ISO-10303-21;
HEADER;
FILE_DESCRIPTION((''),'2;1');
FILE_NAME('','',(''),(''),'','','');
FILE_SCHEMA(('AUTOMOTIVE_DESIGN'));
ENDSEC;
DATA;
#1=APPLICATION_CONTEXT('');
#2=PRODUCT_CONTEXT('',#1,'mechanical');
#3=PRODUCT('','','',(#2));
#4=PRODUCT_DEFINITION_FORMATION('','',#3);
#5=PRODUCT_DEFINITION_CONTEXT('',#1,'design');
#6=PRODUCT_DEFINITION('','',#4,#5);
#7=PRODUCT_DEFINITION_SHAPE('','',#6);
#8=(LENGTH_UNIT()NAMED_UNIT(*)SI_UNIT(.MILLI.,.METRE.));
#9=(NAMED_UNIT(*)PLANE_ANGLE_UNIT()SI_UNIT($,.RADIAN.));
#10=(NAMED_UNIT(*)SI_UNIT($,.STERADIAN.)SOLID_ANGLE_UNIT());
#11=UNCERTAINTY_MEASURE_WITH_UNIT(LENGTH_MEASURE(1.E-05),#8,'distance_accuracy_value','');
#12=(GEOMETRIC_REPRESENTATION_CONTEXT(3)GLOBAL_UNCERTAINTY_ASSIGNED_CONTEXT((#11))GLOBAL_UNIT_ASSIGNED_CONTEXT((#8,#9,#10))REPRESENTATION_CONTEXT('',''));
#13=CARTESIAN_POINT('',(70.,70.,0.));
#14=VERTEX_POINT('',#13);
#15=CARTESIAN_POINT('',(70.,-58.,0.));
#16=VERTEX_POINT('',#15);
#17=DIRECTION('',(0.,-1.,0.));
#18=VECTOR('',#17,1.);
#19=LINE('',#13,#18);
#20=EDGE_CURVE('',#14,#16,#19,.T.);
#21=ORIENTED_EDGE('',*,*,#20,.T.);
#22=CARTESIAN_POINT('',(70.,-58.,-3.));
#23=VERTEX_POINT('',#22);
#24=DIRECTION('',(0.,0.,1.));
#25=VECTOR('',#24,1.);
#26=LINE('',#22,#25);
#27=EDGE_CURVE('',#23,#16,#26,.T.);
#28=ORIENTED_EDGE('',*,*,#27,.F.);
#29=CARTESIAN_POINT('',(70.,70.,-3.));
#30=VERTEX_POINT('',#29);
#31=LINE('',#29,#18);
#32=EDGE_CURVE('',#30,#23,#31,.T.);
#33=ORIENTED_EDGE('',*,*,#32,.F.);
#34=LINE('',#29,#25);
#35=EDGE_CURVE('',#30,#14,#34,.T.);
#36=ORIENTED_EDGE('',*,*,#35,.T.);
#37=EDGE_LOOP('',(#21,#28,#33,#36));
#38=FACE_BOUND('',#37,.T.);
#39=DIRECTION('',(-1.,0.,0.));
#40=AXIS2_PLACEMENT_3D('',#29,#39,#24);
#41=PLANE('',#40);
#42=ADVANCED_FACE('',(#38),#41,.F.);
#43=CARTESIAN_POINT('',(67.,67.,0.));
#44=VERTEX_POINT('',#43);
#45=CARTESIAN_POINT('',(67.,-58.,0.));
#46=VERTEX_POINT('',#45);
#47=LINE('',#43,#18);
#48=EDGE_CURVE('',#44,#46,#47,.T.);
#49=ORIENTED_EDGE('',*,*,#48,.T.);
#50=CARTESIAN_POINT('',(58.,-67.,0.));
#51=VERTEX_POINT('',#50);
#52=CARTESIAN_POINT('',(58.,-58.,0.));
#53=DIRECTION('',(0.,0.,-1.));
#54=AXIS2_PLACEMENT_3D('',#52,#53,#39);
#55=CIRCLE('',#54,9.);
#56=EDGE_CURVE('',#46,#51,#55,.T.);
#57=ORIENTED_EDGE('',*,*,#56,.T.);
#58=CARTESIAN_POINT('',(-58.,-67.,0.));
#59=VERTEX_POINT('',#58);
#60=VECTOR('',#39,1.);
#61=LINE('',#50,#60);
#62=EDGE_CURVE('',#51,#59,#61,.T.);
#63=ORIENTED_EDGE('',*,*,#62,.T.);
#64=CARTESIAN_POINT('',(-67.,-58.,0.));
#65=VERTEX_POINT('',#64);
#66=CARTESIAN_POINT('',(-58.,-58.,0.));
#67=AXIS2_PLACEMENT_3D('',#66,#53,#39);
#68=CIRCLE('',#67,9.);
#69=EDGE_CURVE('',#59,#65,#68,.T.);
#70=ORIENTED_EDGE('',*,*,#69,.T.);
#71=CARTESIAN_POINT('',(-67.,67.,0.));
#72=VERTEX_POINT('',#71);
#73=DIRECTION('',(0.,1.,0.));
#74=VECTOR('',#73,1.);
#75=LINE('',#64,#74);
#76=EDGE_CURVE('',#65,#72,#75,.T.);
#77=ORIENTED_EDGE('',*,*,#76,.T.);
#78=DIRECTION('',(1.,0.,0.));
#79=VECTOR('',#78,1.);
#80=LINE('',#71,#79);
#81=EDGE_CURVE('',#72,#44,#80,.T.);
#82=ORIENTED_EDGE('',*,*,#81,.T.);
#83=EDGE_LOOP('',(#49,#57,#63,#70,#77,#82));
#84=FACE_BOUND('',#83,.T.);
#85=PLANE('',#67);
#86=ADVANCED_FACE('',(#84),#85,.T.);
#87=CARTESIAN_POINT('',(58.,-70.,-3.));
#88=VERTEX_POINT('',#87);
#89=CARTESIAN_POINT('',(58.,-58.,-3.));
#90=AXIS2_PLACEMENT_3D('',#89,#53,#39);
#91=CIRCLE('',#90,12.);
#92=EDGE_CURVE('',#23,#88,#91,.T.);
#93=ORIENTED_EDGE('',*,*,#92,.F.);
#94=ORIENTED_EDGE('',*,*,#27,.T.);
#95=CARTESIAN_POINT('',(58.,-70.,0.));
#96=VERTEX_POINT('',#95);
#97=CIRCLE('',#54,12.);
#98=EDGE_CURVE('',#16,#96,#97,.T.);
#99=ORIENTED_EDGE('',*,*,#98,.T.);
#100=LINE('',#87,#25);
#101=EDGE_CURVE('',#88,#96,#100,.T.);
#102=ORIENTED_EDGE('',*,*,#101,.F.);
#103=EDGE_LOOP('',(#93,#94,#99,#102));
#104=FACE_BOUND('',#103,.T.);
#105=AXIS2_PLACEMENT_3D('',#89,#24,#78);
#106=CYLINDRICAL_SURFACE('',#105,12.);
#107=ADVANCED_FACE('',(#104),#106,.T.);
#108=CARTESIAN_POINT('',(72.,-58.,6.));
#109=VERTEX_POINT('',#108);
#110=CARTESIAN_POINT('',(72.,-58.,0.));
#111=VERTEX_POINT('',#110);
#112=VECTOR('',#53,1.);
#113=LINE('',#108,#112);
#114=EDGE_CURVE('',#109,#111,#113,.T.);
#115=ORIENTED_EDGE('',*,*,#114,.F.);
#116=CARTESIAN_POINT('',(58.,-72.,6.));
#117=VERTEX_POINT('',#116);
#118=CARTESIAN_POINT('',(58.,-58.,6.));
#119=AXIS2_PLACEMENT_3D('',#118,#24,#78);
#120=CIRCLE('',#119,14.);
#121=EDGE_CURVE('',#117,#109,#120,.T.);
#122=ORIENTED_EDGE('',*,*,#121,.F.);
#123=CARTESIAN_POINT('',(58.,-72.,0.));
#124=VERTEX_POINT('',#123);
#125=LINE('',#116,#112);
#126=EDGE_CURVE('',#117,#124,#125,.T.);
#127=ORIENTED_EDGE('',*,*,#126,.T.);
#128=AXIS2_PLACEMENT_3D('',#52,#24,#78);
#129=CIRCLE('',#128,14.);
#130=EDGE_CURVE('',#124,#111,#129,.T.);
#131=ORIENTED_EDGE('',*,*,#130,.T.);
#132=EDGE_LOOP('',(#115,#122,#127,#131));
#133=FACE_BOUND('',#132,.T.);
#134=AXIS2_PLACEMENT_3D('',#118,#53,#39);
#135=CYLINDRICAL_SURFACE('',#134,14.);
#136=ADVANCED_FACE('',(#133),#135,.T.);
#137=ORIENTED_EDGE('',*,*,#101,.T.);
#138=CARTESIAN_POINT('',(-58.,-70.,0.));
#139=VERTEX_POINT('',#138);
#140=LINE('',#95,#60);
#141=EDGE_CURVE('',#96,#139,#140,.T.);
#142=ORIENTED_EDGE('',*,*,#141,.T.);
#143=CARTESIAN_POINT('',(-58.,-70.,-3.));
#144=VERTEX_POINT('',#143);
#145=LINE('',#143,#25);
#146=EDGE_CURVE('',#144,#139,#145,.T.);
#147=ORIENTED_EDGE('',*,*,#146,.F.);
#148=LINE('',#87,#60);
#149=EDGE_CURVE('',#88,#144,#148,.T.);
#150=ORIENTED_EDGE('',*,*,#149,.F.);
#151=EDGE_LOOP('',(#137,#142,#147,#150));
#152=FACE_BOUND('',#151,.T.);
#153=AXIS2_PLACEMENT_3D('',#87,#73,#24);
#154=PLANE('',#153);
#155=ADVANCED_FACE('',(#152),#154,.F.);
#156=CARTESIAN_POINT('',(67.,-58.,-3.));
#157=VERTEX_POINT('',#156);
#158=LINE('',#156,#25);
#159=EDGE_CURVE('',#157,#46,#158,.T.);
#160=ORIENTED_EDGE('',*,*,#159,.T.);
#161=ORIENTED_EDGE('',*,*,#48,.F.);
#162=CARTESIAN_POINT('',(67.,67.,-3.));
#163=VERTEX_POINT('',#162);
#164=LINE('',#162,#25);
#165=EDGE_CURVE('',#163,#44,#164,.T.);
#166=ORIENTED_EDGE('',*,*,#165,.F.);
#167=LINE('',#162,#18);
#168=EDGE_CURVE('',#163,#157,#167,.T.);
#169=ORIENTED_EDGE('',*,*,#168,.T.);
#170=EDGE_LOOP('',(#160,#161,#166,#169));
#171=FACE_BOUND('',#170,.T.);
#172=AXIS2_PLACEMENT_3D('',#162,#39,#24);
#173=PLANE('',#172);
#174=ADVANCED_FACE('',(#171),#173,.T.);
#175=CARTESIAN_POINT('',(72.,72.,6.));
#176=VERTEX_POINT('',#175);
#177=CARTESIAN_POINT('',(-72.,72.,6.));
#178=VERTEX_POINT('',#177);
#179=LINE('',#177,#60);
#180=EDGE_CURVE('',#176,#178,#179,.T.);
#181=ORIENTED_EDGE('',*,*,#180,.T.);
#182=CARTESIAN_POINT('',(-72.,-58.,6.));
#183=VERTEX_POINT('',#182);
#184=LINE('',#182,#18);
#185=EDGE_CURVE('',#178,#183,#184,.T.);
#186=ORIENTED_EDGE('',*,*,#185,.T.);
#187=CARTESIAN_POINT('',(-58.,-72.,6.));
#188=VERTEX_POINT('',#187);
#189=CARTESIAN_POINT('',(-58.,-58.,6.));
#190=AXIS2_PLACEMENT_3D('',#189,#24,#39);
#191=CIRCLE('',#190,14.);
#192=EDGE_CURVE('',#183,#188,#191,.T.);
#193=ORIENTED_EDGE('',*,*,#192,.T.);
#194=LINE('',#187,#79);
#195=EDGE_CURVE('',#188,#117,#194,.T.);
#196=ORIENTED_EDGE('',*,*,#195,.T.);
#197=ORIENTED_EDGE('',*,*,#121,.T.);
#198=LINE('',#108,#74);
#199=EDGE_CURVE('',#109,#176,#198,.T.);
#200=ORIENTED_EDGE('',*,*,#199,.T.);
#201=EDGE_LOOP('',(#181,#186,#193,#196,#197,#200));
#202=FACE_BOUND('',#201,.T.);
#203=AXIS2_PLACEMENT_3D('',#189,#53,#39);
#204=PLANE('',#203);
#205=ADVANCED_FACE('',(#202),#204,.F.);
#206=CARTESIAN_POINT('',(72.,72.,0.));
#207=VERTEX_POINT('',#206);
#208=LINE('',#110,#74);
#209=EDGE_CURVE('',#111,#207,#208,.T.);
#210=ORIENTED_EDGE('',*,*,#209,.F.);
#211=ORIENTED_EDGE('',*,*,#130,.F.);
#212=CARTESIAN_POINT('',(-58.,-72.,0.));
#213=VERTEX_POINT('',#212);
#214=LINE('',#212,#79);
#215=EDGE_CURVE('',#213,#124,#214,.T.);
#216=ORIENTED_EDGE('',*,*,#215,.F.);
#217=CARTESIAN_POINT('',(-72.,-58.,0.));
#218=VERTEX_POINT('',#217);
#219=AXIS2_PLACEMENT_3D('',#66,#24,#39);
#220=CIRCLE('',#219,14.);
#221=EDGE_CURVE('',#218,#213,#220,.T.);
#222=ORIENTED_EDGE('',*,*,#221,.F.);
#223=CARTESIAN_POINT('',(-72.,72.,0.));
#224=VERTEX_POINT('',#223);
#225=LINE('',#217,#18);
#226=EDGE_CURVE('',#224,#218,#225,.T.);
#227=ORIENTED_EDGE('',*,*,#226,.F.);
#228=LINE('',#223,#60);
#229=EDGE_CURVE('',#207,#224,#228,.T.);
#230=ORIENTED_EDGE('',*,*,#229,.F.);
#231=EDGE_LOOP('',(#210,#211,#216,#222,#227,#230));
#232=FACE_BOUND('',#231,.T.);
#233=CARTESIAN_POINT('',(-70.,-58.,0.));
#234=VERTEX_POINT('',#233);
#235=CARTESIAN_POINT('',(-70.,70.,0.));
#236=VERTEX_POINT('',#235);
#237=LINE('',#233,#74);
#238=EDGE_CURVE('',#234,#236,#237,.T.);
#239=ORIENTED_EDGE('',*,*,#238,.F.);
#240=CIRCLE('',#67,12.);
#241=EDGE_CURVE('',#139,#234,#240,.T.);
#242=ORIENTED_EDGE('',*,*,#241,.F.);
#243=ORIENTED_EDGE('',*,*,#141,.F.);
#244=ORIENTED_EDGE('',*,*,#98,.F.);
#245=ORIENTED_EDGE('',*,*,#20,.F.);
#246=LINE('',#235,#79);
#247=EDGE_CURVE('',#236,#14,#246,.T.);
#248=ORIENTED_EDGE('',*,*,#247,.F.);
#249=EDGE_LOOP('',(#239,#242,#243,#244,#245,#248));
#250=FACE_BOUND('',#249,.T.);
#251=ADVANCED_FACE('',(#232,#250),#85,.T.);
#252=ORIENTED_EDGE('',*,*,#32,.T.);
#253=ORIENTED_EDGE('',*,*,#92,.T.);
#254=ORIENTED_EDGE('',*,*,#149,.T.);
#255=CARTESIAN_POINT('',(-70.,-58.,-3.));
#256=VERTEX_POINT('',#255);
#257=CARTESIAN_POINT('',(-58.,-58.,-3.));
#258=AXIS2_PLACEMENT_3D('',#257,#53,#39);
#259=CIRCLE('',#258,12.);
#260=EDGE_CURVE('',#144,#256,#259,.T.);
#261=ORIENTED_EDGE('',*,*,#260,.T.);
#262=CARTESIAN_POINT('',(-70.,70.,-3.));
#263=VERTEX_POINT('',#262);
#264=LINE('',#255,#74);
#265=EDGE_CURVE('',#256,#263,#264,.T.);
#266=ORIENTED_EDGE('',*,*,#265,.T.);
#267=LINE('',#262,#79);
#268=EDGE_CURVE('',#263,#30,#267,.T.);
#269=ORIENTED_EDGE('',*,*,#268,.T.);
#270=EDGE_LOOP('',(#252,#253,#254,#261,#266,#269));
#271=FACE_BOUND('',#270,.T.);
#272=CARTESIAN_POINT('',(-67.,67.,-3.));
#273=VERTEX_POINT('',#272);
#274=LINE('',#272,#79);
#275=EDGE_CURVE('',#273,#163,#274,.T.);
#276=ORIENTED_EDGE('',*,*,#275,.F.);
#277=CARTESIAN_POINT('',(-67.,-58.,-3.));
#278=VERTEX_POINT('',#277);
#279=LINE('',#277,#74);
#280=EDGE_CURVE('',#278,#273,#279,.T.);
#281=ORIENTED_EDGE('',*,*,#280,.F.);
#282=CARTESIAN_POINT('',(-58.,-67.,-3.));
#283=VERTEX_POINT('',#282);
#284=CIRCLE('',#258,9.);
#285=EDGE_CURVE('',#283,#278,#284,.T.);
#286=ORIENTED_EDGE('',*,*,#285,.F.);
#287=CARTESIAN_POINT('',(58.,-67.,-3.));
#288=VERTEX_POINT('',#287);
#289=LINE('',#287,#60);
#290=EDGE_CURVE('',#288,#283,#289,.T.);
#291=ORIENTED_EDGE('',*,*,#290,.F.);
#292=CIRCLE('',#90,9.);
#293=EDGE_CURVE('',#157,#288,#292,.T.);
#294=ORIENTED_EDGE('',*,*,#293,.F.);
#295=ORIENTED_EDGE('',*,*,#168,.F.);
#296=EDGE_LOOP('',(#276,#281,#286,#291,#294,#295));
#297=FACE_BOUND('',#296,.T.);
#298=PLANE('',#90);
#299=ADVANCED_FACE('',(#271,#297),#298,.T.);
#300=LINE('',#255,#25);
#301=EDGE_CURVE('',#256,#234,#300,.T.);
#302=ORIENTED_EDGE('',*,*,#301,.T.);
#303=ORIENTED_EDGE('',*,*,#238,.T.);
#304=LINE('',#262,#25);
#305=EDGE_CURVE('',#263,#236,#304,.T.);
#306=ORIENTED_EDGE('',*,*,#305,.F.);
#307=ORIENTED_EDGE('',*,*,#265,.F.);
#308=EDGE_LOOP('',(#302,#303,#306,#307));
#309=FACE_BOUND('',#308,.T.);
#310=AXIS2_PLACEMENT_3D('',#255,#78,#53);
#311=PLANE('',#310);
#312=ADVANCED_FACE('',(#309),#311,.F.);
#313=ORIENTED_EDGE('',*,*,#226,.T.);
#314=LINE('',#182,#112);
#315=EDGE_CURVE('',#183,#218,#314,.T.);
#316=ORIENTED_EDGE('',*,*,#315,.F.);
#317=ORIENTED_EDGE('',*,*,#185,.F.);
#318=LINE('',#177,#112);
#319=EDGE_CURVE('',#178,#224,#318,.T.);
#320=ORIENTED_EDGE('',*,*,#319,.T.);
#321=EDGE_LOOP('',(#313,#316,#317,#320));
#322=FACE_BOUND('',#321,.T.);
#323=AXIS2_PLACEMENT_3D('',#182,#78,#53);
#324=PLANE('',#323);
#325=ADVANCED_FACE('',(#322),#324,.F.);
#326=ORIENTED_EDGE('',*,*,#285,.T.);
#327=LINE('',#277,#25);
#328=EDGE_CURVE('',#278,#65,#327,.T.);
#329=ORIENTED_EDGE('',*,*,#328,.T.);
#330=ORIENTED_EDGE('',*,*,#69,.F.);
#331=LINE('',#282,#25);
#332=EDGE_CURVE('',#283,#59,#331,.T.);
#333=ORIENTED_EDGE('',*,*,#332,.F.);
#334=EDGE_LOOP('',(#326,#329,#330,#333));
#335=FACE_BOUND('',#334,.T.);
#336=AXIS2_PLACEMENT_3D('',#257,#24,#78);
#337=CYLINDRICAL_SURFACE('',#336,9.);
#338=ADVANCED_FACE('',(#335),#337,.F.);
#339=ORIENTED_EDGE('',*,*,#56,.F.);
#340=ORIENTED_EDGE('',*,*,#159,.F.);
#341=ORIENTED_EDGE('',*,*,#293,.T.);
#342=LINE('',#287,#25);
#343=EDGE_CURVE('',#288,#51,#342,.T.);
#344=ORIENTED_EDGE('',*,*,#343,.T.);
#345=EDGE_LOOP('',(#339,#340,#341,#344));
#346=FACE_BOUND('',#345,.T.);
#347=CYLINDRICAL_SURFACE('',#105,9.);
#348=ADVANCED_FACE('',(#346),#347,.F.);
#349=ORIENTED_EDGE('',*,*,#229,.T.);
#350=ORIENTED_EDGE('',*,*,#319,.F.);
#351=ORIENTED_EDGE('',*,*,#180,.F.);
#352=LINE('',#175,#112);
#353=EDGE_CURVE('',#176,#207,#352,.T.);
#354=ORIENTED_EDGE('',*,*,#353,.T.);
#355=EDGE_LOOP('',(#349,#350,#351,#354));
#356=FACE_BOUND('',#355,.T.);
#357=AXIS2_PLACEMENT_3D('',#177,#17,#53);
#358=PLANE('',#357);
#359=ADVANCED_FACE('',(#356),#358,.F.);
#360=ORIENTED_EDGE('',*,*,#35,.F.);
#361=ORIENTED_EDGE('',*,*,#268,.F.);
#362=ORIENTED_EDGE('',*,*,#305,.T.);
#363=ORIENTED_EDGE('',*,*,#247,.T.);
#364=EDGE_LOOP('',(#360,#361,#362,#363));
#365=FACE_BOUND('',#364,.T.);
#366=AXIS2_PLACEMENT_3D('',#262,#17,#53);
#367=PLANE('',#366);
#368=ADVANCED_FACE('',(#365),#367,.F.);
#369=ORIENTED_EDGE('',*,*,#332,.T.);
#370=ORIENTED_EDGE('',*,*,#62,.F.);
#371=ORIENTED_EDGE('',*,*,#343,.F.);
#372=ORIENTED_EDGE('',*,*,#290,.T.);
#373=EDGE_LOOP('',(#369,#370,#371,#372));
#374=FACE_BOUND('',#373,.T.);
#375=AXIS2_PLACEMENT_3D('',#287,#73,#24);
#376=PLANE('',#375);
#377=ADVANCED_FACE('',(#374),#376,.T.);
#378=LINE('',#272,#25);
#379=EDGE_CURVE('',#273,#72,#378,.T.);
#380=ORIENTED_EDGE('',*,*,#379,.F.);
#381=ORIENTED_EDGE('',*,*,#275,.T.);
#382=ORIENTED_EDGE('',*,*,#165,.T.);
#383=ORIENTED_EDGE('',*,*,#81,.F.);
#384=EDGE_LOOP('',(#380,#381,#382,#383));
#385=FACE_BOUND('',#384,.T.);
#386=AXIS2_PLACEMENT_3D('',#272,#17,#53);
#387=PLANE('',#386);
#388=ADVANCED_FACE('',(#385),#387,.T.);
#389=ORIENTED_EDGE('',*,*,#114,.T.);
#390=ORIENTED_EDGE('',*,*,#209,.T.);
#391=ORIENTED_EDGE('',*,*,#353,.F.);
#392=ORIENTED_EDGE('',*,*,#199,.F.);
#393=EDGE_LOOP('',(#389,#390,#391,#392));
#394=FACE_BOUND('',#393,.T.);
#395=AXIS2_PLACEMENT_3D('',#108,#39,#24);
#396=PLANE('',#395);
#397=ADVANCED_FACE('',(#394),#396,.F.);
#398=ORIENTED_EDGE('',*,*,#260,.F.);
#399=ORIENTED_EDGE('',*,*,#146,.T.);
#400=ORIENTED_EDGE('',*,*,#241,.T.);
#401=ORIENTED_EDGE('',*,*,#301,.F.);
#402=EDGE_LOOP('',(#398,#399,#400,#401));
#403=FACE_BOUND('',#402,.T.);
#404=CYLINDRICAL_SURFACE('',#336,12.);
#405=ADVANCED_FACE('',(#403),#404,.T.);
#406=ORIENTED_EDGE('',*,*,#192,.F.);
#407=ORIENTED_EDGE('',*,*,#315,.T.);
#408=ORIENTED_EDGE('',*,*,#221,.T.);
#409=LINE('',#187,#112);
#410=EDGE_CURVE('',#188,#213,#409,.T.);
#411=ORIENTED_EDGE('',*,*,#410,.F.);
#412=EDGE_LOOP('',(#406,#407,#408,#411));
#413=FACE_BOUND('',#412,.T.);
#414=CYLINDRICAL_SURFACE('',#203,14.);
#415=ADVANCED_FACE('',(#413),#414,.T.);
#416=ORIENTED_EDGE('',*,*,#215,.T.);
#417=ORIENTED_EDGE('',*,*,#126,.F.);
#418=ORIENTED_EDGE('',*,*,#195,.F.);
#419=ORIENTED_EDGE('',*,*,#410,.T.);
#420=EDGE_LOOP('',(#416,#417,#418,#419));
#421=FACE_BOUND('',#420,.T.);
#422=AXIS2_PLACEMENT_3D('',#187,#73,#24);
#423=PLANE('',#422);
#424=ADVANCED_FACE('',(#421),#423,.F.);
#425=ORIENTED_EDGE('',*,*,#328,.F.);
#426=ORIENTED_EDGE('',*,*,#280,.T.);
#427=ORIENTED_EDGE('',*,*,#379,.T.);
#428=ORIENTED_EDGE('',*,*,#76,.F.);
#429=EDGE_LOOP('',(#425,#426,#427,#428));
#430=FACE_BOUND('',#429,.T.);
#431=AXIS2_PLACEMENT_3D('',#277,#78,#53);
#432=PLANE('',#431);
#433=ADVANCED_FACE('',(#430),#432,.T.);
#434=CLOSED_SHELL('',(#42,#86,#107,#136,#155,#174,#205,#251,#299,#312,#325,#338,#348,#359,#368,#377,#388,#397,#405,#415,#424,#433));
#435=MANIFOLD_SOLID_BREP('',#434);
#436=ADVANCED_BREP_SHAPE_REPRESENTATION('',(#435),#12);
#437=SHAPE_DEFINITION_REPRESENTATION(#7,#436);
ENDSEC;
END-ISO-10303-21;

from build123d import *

# Parameters (mm, degrees)
BOSS_EXTRUDE1_DEPTH = 6
BOSS_EXTRUDE2_DEPTH = 3


with BuildPart() as part:
    # Sketch1 → Boss-Extrude1 (new body)
    with BuildSketch(Plane.XY):
        with BuildLine():
            Line((-58, -72), (58, -72))
            ThreePointArc((58, -72), (67.899494937, -67.899494937), (72, -58))
            Line((72, -58), (72, 72))
            Line((72, 72), (-72, 72))
            Line((-72, 72), (-72, -58))
            ThreePointArc((-72, -58), (-67.899494937, -67.899494937), (-58, -72))
        make_face()
    extrude(amount=BOSS_EXTRUDE1_DEPTH)

    # Sketch2 → Boss-Extrude2 (add)
    with BuildSketch(Plane(origin=(0, 0, 0), x_dir=(-1, 0, 0), z_dir=(0, 0, -1))):
        with BuildLine():
            Line((-70, 70), (-70, -58))
            ThreePointArc((-70, -58), (-66.485281374, -66.485281374), (-58, -70))
            Line((-58, -70), (58, -70))
            ThreePointArc((58, -70), (66.485281374, -66.485281374), (70, -58))
            Line((70, -58), (70, 70))
            Line((70, 70), (-70, 70))
        make_face()
        with BuildLine():
            Line((-67, 67), (-67, -58))
            ThreePointArc((-67, -58), (-64.363961031, -64.363961031), (-58, -67))
            Line((-58, -67), (58, -67))
            ThreePointArc((58, -67), (64.363961031, -64.363961031), (67, -58))
            Line((67, -58), (67, 67))
            Line((67, 67), (-67, 67))
        make_face(mode=Mode.SUBTRACT)
    extrude(amount=BOSS_EXTRUDE2_DEPTH)


solid = part.part
